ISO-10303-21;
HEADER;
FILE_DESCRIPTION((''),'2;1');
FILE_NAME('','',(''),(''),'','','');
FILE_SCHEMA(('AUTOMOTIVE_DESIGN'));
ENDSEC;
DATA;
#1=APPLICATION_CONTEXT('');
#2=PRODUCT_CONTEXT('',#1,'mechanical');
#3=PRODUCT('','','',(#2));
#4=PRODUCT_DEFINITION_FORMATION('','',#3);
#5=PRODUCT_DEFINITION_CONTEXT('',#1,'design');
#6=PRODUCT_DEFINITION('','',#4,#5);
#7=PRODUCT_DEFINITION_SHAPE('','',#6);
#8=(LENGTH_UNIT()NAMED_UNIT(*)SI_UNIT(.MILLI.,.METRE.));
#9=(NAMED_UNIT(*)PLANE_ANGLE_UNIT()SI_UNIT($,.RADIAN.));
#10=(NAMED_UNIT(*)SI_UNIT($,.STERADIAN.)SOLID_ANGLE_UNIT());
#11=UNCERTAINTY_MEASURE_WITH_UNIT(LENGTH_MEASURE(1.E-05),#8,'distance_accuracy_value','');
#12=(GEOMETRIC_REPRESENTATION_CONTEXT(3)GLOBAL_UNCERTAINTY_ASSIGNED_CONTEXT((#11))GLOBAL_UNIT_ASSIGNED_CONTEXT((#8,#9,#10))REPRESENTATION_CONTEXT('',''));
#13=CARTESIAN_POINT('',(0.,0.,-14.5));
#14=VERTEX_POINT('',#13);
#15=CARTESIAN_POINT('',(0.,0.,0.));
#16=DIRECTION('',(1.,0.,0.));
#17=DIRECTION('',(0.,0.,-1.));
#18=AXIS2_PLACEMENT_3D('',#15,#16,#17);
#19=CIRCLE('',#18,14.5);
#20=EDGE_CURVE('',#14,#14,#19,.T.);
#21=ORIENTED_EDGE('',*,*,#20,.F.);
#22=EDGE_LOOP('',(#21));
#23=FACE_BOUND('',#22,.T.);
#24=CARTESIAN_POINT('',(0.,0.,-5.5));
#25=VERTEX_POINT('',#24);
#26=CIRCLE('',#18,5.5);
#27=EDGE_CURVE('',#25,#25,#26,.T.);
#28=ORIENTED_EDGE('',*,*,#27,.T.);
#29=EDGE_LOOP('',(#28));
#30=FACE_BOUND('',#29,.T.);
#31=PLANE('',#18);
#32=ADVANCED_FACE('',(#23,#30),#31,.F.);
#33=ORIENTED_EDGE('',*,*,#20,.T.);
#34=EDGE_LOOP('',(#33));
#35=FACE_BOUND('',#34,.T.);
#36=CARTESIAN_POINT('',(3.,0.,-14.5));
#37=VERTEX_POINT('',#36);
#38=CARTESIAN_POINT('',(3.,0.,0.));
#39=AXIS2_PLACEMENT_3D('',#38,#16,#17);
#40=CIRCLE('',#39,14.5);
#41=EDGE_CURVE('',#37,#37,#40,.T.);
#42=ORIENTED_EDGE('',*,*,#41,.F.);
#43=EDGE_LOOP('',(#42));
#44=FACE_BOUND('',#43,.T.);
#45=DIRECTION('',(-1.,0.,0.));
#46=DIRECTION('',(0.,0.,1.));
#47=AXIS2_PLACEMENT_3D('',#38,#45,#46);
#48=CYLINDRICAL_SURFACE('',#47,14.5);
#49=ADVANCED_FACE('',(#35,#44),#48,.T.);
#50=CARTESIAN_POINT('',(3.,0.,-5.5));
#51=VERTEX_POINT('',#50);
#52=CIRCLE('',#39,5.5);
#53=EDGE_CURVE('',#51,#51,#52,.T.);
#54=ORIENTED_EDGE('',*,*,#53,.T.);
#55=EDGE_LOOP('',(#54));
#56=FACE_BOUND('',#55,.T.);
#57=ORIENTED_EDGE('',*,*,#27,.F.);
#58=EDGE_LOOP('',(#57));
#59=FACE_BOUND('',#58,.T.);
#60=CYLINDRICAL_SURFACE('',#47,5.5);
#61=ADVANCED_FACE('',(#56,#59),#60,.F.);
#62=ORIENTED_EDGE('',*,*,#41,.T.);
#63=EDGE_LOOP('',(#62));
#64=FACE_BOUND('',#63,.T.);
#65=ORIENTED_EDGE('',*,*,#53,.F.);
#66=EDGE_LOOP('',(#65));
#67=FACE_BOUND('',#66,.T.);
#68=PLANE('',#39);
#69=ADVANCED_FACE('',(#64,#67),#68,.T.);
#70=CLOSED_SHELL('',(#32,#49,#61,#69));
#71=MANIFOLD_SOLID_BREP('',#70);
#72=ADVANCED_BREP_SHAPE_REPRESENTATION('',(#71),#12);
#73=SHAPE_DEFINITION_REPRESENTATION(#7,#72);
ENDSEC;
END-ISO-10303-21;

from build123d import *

# Parameters (mm, degrees)
SKETCH1_R          = 14.5
SKETCH1_R_2        = 5.5
BASE_EXTRUDE_DEPTH = 3


with BuildPart() as part:
    # Sketch1 → Base-Extrude (new body)
    with BuildSketch(Plane(origin=(0, 0, 0), x_dir=(0, 0, -1), z_dir=(1, 0, 0))):
        Circle(SKETCH1_R)
        Circle(SKETCH1_R_2, mode=Mode.SUBTRACT)
    extrude(amount=BASE_EXTRUDE_DEPTH)


solid = part.part
